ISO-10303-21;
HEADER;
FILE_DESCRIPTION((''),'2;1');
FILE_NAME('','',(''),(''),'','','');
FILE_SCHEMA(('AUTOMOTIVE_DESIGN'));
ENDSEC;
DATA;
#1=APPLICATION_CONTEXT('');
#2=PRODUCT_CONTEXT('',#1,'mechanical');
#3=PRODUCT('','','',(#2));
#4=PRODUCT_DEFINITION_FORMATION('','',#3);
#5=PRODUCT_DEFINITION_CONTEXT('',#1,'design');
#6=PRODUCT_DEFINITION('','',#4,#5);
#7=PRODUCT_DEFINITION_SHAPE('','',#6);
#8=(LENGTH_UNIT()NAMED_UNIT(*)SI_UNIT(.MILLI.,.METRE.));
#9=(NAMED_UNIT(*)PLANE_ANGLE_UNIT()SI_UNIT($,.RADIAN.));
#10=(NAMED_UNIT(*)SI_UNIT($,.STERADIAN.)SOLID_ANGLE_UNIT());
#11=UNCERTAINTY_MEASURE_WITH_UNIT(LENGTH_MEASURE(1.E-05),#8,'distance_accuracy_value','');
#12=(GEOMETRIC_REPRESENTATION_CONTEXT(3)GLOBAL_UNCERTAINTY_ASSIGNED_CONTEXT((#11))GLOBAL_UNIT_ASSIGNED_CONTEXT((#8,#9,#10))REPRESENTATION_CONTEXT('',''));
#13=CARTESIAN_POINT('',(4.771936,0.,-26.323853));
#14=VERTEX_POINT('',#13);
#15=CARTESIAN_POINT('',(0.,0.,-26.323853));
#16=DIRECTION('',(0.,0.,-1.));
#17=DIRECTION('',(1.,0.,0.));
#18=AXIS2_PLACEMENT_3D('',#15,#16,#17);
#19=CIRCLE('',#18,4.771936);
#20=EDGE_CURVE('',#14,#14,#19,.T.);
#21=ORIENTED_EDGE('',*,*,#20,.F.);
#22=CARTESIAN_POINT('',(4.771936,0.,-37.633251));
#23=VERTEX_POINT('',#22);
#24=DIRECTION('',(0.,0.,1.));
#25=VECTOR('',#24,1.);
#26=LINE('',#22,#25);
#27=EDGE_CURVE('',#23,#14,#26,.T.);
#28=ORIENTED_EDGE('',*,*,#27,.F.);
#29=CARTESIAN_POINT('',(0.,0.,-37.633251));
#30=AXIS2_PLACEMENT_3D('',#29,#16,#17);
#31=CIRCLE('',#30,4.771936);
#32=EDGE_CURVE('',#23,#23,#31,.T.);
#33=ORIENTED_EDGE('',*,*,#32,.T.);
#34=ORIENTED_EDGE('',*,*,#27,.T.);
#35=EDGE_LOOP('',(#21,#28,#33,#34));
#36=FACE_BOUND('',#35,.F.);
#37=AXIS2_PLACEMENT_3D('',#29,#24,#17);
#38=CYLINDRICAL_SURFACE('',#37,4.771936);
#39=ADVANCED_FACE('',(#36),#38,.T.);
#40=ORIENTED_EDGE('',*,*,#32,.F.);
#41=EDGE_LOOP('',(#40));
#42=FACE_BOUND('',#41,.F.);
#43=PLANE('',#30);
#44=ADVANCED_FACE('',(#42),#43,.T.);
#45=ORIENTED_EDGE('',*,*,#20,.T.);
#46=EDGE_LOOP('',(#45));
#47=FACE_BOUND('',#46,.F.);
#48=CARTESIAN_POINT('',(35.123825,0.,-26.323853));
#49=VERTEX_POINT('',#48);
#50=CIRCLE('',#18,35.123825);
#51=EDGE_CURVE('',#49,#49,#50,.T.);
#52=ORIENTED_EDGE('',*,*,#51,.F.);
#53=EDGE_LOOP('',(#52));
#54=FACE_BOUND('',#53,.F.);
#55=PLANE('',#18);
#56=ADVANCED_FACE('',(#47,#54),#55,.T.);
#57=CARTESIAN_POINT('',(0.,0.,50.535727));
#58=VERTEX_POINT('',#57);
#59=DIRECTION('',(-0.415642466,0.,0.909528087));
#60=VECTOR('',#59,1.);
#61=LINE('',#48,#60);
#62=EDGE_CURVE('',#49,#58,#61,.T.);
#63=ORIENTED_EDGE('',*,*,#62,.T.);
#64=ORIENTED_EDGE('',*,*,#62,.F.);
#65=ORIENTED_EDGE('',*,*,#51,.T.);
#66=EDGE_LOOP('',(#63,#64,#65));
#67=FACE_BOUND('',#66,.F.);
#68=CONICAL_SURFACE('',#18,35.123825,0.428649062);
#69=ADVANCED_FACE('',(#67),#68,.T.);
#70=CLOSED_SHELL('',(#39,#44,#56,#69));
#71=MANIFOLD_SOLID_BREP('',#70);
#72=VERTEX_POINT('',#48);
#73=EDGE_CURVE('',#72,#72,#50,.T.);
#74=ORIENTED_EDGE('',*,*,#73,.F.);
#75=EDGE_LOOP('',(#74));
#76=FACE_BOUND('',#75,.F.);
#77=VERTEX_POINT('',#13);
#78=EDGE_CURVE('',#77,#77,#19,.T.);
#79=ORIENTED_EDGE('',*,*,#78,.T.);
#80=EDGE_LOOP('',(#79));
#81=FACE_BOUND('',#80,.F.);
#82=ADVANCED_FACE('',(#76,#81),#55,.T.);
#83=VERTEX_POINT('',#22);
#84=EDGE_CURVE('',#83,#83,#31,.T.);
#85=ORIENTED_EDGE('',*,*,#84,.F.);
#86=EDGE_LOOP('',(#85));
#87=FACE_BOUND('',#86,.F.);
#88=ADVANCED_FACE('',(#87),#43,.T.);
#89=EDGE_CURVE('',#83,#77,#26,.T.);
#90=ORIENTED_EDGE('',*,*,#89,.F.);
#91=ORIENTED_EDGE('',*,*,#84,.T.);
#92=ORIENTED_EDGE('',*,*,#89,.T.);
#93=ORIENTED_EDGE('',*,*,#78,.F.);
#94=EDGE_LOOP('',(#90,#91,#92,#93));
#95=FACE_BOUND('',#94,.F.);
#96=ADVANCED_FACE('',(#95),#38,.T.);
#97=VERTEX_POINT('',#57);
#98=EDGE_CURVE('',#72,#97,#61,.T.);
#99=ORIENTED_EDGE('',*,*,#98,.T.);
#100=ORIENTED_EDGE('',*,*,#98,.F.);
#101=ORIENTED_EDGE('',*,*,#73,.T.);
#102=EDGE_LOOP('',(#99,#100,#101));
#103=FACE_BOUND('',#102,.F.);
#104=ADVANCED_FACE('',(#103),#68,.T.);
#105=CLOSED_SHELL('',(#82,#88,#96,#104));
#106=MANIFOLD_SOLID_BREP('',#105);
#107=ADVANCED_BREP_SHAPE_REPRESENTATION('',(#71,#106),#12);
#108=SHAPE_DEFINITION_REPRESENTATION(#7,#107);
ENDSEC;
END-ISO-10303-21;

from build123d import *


with BuildPart() as f1:
    # F0 (on Front) → F1 (revolve)
    with BuildSketch(Plane.XZ):
        Polygon((35.123825, -26.323853), (0, 50.535727), (0, -37.633251), (4.771936, -37.633251), (4.771936, -26.323853), align=None)
    revolve(axis=Axis((0, 0, 16.048042), (0, 0, -1)))


with BuildPart() as f2:
    # F0 (on Front) → F2 (revolve)
    with BuildSketch(Plane.XZ):
        Polygon((35.123825, -26.323853), (0, 50.535727), (0, -37.633251), (4.771936, -37.633251), (4.771936, -26.323853), align=None)
    revolve(axis=Axis((0, 0, 16.048042), (0, 0, -1)))


solid = Compound([f1.part, f2.part])
